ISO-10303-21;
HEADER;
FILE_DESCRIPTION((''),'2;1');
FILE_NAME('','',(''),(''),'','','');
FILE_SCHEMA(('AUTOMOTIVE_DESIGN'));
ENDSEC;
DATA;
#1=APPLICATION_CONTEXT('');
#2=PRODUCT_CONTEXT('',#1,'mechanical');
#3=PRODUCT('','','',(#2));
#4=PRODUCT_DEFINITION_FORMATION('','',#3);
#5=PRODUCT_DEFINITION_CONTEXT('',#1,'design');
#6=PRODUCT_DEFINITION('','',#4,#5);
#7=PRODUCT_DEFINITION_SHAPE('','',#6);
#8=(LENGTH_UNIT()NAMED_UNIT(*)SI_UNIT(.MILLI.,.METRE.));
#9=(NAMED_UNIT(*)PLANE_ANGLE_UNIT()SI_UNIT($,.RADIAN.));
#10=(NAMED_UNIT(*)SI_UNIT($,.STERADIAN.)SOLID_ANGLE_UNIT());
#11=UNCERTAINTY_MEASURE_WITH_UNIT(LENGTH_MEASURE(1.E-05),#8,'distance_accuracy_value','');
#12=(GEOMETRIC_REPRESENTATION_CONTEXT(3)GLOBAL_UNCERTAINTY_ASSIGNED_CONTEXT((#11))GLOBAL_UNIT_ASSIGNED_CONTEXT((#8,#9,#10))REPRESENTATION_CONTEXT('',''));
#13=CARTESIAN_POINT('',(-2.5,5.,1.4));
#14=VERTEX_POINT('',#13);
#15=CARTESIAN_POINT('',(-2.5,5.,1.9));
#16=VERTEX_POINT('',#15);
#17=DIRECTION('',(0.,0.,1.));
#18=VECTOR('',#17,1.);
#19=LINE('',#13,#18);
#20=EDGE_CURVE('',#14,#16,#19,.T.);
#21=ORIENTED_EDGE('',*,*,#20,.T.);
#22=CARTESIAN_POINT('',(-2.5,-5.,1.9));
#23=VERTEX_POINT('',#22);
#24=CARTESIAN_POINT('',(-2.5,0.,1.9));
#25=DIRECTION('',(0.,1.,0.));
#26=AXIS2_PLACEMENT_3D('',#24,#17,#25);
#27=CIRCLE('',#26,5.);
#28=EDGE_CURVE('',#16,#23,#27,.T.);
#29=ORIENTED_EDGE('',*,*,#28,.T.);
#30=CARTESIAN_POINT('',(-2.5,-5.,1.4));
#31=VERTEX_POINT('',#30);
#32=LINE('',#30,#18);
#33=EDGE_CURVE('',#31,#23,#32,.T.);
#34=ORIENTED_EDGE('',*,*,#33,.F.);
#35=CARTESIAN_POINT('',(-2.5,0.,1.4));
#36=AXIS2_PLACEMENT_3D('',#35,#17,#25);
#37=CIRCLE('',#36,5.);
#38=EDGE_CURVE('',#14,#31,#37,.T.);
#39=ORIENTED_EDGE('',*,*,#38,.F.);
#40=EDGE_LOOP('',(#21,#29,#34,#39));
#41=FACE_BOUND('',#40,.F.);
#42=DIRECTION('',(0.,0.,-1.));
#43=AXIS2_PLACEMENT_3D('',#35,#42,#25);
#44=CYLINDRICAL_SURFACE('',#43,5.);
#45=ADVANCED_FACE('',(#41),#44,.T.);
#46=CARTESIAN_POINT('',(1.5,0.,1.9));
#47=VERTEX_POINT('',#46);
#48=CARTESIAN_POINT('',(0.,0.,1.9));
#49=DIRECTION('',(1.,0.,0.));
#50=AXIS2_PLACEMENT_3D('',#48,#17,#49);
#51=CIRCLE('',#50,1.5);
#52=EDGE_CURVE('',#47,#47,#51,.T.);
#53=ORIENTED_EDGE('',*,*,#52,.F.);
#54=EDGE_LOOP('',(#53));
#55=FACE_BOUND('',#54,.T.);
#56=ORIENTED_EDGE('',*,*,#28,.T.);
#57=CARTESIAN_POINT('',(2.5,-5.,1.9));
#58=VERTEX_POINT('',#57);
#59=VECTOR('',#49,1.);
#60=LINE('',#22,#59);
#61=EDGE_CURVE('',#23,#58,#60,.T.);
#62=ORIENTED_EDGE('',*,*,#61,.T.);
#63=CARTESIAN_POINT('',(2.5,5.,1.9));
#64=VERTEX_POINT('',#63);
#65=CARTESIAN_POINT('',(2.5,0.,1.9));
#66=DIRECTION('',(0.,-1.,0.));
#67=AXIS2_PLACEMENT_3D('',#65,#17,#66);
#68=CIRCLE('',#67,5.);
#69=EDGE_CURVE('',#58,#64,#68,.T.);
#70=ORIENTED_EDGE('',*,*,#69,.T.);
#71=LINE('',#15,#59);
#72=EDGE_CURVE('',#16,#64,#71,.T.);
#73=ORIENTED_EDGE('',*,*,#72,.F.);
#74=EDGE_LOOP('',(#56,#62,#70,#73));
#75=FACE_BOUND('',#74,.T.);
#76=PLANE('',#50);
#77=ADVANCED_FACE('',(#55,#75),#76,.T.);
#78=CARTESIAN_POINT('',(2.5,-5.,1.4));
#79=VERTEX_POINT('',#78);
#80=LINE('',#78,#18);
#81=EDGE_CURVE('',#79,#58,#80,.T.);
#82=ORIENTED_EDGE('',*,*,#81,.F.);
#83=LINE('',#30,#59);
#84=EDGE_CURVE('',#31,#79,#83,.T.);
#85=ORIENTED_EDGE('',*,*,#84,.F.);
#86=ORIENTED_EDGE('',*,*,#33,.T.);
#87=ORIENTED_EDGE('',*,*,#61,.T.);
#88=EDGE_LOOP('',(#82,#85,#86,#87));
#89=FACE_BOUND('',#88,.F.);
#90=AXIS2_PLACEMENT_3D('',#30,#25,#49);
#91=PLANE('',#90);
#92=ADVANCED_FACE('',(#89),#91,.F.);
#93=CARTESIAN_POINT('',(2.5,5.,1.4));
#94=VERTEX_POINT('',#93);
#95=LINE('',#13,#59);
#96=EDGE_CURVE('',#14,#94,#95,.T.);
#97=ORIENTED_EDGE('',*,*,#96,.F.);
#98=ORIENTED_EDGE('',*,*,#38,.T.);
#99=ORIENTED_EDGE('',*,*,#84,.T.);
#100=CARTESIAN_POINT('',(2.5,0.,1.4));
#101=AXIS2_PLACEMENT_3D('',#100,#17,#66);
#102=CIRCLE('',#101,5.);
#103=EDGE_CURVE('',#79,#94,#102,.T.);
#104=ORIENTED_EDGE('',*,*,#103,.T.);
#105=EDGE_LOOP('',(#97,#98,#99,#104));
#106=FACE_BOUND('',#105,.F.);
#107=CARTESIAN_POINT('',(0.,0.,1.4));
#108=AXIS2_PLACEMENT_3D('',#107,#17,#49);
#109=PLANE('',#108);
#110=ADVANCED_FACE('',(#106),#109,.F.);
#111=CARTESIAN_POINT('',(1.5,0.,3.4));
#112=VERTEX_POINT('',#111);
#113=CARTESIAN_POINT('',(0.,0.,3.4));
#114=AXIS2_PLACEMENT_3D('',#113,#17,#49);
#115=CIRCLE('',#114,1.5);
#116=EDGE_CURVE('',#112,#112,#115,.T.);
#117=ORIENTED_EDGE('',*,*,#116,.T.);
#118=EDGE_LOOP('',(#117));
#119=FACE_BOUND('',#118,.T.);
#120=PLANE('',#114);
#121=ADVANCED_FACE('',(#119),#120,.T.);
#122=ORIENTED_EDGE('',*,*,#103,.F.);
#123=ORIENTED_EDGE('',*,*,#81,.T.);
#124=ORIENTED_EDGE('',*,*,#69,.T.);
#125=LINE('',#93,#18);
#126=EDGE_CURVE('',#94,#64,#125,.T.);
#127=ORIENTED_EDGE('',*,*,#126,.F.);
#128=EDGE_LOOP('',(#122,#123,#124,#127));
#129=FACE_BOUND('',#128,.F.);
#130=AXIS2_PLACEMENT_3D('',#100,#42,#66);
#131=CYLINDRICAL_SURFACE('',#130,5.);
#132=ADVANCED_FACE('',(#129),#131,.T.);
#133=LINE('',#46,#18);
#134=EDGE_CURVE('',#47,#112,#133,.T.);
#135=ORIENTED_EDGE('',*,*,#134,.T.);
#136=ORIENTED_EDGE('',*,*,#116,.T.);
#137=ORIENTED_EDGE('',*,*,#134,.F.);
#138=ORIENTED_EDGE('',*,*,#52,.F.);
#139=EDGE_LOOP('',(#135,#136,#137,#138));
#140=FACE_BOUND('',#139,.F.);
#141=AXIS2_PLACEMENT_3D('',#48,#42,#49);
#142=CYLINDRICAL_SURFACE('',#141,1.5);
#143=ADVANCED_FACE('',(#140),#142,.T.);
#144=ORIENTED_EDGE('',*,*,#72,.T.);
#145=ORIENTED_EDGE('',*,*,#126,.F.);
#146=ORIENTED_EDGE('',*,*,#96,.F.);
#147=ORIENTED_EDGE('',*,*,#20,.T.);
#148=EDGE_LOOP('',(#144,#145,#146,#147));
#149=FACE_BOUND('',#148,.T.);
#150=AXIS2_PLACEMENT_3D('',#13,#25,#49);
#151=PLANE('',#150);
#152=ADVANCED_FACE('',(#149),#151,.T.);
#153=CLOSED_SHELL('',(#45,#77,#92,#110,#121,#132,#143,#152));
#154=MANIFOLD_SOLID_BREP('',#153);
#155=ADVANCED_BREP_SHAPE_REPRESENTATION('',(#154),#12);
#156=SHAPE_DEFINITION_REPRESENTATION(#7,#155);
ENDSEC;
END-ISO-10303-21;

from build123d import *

# Parameters (mm, degrees)
PAD_DEPTH    = 0.5
SKETCH_R     = 1.5
PAD001_DEPTH = 1.5


with BuildPart() as part:
    # Sketch002 → Pad (new body)
    with BuildSketch(Plane.XY.offset(1.4)):
        with BuildLine():
            ThreePointArc((-2.5, 5), (-7.5, 0), (-2.5, -5))
            Line((-2.5, -5), (2.5, -5))
            ThreePointArc((2.5, -5), (7.5, 0), (2.5, 5))
            Line((-2.5, 5), (2.5, 5))
        make_face()
    extrude(amount=PAD_DEPTH)

    # Sketch (on Face6 of Pad) → Pad001 (join)
    with BuildSketch(Plane.XY.offset(1.9)):
        Circle(SKETCH_R)
    extrude(amount=PAD001_DEPTH)


solid = part.part
